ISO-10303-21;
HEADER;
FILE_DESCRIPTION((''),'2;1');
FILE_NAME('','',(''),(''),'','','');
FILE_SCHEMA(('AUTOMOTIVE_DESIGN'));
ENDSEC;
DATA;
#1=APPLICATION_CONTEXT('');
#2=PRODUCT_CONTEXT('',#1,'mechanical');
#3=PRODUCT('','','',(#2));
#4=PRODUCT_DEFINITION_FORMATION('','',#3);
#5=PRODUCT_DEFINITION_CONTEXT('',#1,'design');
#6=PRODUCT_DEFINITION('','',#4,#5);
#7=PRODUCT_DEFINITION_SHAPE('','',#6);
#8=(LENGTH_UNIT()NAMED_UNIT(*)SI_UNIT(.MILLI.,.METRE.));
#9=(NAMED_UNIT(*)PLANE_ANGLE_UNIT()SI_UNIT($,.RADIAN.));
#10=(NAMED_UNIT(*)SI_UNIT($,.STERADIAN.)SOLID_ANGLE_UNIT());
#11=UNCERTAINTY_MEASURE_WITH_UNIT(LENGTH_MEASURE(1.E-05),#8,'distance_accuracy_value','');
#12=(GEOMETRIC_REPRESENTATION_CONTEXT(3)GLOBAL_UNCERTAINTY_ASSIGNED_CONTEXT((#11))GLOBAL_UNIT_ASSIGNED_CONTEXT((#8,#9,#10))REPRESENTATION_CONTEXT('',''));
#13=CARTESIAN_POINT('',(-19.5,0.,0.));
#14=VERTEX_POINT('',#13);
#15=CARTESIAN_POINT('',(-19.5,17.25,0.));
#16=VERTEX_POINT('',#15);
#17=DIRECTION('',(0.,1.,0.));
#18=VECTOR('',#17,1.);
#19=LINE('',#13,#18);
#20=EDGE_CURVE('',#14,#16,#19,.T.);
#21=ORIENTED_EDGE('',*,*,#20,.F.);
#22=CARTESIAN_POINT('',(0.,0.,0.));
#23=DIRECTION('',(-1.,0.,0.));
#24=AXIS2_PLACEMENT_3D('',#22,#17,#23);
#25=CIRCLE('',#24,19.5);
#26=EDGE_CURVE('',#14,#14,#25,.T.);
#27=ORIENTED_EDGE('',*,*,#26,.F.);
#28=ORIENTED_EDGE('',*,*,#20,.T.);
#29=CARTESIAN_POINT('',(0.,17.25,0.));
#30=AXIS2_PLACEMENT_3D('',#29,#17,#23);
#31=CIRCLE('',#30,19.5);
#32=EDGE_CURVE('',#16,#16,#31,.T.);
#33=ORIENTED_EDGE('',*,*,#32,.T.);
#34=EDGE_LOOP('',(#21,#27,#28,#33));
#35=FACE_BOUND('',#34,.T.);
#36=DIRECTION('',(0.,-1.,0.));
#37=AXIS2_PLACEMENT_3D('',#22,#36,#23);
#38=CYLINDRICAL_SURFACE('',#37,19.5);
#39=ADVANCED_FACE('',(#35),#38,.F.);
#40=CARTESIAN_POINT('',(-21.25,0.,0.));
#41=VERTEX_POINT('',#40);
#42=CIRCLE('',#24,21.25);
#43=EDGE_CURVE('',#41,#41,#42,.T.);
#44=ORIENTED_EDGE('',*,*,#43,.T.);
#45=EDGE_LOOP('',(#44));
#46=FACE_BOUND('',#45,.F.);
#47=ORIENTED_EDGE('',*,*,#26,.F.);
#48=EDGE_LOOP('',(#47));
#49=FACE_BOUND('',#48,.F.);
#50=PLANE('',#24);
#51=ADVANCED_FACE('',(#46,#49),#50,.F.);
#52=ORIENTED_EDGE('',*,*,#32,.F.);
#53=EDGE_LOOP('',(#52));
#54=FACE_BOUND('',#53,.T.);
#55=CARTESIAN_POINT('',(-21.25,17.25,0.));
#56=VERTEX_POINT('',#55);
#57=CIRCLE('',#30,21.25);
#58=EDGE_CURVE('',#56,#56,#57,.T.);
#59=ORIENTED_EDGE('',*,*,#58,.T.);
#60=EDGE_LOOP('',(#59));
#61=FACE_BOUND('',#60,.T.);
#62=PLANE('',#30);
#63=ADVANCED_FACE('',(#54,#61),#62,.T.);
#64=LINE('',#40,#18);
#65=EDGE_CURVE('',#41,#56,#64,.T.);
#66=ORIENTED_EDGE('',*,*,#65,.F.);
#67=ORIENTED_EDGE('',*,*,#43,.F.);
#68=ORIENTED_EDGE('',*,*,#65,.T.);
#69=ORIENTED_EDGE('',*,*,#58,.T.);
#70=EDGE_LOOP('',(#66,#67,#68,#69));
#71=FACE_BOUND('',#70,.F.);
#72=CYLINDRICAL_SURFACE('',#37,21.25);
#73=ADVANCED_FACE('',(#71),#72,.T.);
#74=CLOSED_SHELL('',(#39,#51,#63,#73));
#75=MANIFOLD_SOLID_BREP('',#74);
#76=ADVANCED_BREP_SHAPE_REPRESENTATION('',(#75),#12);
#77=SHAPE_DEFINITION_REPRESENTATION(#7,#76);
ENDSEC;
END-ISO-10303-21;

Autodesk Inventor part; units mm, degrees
ref_plane "YZ Plane" through (0, 0, 0) normal (1, 0, 0) x (0, 1, 0)
ref_plane "XZ Plane" through (0, 0, 0) normal (0, 1, 0) x (-1, 0, 0)
ref_plane "XY Plane" through (0, 0, 0) normal (0, 0, 1) x (1, 0, 0)
sketch "Sketch1" plane through (0, 0, 0) normal (0, 1, 0) x (-1, 0, 0)
  circle A0 centre (0, 0) radius 21.25
  circle A1 centre (0, 0) radius 19.5
  dimension "d0" = 42.5
  dimension "d1" = 1.75
extrude "Extrusion1" add sketch "Sketch1" along normal blind 17.25
properties part number "CAN - LOWER" material "Stainless Steel"
